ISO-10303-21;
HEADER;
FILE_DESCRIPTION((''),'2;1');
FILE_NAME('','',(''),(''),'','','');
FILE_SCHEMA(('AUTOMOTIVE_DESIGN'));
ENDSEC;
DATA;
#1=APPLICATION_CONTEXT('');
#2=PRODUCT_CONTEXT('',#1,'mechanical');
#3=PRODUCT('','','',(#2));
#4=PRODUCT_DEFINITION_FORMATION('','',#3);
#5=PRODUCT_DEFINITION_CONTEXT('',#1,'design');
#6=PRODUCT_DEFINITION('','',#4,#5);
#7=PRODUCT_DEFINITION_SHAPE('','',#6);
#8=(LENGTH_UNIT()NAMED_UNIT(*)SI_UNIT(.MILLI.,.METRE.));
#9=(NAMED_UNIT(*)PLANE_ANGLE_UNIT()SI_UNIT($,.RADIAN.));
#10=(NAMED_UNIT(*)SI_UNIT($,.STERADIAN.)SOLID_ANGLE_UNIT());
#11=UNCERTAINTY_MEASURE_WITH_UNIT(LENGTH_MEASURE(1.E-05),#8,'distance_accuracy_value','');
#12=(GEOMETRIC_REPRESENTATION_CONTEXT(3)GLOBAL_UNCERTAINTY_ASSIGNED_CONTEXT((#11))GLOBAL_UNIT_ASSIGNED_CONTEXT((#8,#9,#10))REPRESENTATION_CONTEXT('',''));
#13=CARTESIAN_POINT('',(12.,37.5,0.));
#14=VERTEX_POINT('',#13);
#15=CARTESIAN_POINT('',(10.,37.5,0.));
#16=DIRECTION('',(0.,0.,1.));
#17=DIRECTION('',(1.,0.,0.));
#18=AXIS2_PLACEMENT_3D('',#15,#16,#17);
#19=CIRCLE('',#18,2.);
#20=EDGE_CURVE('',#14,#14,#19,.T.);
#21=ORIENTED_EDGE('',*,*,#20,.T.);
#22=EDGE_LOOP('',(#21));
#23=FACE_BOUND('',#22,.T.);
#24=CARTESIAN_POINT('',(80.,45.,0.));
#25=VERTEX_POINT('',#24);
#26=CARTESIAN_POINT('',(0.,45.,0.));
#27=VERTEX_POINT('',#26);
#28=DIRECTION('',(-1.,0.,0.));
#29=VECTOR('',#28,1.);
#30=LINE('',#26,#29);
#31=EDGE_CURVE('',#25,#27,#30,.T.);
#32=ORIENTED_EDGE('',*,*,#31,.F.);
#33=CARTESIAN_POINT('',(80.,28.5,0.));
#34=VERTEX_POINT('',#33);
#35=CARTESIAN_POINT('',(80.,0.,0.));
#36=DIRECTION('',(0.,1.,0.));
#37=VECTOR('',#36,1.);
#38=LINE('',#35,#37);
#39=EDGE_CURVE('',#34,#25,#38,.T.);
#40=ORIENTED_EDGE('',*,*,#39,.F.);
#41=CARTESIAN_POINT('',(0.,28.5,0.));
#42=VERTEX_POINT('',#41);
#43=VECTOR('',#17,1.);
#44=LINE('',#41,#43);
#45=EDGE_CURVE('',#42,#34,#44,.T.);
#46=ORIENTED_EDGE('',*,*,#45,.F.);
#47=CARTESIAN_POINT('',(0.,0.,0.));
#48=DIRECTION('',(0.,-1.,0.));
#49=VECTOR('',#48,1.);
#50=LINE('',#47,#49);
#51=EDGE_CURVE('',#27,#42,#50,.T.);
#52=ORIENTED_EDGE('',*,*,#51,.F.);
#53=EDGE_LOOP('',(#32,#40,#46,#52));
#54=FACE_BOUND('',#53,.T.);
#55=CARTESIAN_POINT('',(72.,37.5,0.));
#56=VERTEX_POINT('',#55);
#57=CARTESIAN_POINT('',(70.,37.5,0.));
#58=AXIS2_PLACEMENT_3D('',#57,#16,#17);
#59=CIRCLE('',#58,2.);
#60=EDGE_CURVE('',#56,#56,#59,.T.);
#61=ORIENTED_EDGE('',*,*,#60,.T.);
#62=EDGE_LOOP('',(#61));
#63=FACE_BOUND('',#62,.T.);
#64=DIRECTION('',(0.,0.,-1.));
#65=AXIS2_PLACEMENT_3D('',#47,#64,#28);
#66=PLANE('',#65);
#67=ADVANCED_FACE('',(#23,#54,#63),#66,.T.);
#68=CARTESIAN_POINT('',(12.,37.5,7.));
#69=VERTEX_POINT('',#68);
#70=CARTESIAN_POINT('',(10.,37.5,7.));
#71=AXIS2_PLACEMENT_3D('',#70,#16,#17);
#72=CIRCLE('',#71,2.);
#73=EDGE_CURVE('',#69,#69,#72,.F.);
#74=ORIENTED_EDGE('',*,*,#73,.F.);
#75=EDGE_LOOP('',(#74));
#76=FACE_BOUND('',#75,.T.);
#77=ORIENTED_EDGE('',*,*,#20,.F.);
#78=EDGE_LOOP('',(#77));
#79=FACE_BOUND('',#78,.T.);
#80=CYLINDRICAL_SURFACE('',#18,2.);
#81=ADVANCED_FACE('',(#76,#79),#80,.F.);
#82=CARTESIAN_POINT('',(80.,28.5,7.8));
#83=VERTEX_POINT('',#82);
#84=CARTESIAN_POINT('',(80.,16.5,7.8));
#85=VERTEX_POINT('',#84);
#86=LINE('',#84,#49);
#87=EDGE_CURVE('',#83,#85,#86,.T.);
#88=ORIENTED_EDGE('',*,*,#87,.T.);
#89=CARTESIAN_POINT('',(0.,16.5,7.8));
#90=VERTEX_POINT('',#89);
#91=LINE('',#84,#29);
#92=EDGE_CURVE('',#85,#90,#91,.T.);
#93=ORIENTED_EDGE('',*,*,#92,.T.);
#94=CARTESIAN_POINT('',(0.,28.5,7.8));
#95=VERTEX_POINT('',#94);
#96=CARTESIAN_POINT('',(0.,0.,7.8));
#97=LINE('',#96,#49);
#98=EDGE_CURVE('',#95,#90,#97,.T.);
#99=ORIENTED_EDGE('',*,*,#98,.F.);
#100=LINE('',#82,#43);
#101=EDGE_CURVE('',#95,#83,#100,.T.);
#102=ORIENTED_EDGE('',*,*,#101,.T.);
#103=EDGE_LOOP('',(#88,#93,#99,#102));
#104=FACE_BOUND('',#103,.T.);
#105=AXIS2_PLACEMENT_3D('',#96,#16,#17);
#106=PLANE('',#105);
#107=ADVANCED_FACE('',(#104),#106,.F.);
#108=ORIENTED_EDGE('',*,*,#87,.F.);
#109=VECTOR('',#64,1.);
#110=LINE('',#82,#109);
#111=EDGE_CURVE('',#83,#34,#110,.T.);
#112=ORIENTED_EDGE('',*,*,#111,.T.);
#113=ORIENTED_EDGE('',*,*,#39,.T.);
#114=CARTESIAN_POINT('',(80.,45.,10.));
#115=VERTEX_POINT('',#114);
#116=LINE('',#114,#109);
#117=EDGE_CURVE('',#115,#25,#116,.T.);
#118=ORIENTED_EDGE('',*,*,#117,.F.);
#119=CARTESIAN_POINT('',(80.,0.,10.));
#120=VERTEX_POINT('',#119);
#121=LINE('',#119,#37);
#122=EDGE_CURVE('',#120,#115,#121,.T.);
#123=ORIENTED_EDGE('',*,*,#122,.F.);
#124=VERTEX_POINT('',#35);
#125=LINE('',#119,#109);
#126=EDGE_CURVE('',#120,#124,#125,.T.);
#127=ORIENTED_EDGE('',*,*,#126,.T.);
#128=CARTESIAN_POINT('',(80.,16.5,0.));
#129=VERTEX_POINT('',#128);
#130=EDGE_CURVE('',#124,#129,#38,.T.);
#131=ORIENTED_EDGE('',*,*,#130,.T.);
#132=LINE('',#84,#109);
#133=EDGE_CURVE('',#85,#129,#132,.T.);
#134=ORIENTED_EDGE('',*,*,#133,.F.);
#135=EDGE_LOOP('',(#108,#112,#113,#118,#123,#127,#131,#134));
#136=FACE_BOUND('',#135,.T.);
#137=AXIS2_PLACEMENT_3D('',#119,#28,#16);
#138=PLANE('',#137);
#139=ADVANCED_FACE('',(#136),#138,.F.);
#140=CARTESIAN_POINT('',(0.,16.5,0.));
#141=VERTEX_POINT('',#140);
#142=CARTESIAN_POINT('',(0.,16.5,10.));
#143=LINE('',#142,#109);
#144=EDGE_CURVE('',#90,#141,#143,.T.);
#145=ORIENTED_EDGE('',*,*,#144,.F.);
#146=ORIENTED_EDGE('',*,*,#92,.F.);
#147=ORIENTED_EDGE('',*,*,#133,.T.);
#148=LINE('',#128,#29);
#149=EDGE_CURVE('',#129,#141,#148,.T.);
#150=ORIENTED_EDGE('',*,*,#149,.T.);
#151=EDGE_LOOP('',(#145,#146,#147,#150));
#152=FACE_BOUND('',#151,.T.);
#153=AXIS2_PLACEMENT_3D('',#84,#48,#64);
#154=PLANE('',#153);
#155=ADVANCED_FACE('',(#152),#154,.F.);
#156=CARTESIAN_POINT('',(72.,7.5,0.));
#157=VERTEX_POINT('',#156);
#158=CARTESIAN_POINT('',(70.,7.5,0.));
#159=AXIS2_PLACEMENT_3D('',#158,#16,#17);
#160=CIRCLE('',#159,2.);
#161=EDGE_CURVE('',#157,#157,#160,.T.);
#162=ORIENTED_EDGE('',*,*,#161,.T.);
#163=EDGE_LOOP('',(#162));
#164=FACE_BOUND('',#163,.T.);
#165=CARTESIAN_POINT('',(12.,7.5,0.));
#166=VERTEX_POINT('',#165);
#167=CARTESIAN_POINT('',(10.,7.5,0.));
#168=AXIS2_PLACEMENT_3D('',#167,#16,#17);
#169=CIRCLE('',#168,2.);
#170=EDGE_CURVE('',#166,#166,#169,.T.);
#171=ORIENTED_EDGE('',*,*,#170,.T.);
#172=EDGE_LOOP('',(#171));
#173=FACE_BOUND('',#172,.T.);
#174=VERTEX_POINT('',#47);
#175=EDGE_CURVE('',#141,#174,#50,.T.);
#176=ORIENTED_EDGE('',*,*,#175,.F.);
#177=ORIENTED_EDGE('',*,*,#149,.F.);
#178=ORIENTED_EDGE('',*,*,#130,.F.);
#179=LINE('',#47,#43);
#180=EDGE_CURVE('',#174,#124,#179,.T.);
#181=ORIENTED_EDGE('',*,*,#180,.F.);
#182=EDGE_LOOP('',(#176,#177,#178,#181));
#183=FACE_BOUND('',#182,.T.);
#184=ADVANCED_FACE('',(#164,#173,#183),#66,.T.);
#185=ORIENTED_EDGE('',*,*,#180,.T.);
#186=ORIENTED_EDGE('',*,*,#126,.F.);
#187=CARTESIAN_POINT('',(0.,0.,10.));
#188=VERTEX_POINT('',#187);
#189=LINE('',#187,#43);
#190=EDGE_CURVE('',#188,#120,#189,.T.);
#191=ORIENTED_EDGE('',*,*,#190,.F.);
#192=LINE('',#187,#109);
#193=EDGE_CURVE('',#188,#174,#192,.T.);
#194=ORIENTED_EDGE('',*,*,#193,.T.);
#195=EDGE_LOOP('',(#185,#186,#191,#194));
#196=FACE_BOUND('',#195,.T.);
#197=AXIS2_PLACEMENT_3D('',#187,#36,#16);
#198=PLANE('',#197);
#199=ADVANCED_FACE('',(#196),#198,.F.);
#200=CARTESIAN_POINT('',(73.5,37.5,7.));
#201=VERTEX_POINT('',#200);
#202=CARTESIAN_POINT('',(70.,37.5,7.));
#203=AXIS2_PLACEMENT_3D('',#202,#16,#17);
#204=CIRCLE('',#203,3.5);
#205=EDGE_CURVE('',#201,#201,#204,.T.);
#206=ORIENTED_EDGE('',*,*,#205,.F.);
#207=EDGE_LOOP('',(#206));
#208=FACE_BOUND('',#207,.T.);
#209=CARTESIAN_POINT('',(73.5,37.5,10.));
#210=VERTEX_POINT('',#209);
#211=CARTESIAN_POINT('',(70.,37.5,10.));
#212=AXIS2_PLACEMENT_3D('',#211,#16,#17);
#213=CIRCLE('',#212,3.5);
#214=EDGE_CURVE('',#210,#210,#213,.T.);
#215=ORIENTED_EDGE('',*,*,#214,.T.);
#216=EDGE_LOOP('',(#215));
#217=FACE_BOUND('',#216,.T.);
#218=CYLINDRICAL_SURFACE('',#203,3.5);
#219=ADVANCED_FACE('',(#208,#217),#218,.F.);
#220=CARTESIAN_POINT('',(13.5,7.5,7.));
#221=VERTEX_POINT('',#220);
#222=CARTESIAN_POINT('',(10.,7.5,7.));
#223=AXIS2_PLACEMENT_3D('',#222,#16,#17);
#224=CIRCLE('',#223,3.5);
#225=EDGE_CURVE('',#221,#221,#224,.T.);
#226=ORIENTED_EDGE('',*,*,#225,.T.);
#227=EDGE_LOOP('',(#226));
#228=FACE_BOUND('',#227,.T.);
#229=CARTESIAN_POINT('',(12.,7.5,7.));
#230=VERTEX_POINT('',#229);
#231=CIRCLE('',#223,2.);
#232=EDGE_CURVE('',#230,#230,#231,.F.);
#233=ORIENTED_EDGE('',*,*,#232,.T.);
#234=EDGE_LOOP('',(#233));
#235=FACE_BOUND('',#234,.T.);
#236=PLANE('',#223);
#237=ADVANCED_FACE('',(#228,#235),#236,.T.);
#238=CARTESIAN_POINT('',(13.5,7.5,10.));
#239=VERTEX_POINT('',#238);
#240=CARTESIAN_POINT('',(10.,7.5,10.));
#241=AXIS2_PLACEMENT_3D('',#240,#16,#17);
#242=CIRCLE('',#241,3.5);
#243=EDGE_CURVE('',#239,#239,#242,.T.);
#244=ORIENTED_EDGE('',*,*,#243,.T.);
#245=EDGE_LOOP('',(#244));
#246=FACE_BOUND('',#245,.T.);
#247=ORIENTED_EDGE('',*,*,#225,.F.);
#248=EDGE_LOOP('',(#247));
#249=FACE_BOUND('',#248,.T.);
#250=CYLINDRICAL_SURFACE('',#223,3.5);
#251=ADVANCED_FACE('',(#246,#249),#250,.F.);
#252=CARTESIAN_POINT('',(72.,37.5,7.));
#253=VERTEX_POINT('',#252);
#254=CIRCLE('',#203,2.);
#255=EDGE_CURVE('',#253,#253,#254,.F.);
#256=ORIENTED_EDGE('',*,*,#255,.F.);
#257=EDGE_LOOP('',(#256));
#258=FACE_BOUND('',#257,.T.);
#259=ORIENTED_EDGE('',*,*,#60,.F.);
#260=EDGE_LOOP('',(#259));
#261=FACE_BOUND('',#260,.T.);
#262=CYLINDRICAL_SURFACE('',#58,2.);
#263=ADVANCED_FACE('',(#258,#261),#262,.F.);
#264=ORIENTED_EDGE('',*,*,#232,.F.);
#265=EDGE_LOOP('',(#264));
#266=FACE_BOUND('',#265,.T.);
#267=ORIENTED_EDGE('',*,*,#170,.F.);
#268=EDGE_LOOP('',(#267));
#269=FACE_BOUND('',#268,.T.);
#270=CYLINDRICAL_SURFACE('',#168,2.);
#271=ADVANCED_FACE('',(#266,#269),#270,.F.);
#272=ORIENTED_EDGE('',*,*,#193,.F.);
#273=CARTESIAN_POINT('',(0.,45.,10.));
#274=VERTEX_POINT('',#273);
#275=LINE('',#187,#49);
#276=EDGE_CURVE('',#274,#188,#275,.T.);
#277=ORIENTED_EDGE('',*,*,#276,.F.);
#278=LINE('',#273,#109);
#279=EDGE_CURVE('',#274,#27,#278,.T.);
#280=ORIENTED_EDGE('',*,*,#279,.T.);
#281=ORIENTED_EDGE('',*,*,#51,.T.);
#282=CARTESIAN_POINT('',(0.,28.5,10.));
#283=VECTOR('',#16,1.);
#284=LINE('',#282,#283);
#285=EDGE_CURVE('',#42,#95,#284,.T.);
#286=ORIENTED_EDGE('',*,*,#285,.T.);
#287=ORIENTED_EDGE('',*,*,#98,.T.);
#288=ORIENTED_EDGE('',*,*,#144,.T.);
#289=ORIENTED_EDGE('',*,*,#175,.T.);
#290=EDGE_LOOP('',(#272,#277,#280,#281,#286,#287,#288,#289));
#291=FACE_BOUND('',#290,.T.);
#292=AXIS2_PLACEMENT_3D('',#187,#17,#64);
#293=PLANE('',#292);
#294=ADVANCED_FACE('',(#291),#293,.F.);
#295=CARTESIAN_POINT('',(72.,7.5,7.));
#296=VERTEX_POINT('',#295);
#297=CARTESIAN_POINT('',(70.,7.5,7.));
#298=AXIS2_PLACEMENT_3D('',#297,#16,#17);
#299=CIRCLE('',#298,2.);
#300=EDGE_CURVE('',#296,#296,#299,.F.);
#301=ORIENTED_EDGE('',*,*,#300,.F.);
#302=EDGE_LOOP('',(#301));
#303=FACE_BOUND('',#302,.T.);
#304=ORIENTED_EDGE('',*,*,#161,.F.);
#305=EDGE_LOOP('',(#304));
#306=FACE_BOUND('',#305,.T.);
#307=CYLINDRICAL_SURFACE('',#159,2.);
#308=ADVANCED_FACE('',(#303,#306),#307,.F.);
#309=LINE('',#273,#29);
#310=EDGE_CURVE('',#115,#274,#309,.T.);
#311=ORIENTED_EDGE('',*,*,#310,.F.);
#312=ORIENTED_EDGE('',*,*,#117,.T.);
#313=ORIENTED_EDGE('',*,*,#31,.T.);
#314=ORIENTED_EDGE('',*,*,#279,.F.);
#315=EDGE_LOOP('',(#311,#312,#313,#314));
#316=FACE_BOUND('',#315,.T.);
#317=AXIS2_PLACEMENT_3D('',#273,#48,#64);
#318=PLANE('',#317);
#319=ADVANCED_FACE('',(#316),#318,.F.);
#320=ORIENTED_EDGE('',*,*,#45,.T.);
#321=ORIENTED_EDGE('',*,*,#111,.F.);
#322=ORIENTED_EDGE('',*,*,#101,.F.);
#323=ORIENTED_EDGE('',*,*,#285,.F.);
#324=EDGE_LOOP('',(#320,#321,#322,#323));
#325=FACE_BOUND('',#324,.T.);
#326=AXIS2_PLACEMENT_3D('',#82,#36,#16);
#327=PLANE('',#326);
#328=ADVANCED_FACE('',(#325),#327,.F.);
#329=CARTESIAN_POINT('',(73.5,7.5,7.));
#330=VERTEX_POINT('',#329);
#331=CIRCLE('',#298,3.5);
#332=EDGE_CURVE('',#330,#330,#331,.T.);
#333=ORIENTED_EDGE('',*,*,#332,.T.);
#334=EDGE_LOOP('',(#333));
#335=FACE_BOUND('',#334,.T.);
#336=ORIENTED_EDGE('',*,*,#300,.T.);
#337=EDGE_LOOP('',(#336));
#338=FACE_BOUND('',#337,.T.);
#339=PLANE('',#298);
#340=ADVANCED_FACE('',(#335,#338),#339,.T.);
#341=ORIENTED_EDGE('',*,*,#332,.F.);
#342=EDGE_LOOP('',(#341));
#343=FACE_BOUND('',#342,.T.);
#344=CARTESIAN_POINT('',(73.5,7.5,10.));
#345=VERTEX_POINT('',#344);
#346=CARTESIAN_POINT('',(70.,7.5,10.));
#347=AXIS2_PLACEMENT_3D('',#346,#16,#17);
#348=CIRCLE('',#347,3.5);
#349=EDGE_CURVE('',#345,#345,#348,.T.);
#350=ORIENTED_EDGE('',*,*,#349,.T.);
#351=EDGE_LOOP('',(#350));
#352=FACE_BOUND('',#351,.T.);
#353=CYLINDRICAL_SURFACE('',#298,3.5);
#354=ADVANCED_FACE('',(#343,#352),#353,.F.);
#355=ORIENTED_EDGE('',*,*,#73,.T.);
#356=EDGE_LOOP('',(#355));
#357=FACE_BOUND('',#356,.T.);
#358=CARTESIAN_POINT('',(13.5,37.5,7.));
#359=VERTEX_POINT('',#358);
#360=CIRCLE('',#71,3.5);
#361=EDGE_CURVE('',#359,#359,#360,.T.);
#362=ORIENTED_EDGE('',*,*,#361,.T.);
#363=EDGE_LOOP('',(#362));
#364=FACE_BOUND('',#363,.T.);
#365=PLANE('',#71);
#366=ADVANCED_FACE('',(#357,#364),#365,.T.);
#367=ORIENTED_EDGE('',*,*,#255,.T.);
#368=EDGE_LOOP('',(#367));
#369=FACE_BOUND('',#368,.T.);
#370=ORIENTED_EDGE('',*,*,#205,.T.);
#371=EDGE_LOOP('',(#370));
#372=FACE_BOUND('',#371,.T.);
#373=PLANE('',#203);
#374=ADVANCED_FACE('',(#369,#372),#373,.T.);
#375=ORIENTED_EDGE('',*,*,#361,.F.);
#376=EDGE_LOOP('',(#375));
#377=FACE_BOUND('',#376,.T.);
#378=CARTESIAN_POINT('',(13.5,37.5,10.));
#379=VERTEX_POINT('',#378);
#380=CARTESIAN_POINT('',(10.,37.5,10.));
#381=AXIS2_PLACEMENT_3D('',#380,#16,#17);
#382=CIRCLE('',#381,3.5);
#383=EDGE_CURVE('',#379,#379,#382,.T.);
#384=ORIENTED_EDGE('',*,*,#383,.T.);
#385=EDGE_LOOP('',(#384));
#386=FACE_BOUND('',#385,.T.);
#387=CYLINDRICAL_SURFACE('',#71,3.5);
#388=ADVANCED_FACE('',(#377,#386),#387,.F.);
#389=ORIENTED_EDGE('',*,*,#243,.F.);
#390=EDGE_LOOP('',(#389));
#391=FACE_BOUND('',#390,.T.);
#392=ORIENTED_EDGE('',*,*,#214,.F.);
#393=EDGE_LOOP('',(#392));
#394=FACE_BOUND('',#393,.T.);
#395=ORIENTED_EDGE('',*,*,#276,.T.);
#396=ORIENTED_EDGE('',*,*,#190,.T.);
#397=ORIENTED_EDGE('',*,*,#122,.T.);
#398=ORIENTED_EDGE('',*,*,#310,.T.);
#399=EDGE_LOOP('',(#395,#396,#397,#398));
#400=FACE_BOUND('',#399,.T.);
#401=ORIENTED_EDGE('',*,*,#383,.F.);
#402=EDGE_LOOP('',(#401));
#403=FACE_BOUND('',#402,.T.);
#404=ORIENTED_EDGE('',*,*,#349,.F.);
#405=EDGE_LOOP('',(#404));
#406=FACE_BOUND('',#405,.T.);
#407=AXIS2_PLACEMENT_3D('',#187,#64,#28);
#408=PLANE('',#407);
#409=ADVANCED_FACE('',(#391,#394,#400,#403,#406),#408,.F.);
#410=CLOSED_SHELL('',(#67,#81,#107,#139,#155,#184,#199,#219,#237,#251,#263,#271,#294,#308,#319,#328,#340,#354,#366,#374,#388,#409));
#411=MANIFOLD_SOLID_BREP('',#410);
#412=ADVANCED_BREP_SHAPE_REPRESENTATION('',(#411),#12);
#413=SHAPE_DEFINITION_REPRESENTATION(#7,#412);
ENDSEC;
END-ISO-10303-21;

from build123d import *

# Parameters (mm, degrees)
SKETCH1_W           = 80
SKETCH1_H           = 45
BOSS_EXTRUDE1_DEPTH = 10
SKETCH2_W           = 110
SKETCH2_H           = 12
CUT_EXTRUDE1_DEPTH  = 7.8
SKETCH4_R           = 2
CUT_EXTRUDE3_DEPTH  = 11
SKETCH5_R           = 3.5
CUT_EXTRUDE4_DEPTH  = 3


with BuildPart() as part:
    # Sketch1 → Boss-Extrude1 (new body)
    with BuildSketch(Plane.XY):
        with Locations((40, 22.5)):
            Rectangle(SKETCH1_W, SKETCH1_H)
    extrude(amount=BOSS_EXTRUDE1_DEPTH)

    # Sketch2 → Cut-Extrude1 (cut)
    with BuildSketch(Plane(origin=(0, 0, 0), x_dir=(-1, 0, 0), z_dir=(0, 0, -1))):
        with Locations((-25, 22.5)):
            Rectangle(SKETCH2_W, SKETCH2_H)
    extrude(amount=-CUT_EXTRUDE1_DEPTH, mode=Mode.SUBTRACT)

    # Sketch4 → Cut-Extrude3 (cut, through all)
    with BuildSketch(Plane.XY.offset(10)):
        with Locations((10, 37.5)):
            Circle(SKETCH4_R)
        with Locations((70, 37.5)):
            Circle(SKETCH4_R)
        with Locations((70, 7.5)):
            Circle(SKETCH4_R)
        with Locations((10, 7.5)):
            Circle(SKETCH4_R)
    extrude(amount=-CUT_EXTRUDE3_DEPTH, mode=Mode.SUBTRACT)

    # Sketch5 → Cut-Extrude4 (cut)
    with BuildSketch(Plane.XY.offset(10)):
        with Locations((10, 37.5)):
            Circle(SKETCH5_R)
        with Locations((70, 37.5)):
            Circle(SKETCH5_R)
        with Locations((70, 7.5)):
            Circle(SKETCH5_R)
        with Locations((10, 7.5)):
            Circle(SKETCH5_R)
    extrude(amount=-CUT_EXTRUDE4_DEPTH, mode=Mode.SUBTRACT)


solid = part.part
